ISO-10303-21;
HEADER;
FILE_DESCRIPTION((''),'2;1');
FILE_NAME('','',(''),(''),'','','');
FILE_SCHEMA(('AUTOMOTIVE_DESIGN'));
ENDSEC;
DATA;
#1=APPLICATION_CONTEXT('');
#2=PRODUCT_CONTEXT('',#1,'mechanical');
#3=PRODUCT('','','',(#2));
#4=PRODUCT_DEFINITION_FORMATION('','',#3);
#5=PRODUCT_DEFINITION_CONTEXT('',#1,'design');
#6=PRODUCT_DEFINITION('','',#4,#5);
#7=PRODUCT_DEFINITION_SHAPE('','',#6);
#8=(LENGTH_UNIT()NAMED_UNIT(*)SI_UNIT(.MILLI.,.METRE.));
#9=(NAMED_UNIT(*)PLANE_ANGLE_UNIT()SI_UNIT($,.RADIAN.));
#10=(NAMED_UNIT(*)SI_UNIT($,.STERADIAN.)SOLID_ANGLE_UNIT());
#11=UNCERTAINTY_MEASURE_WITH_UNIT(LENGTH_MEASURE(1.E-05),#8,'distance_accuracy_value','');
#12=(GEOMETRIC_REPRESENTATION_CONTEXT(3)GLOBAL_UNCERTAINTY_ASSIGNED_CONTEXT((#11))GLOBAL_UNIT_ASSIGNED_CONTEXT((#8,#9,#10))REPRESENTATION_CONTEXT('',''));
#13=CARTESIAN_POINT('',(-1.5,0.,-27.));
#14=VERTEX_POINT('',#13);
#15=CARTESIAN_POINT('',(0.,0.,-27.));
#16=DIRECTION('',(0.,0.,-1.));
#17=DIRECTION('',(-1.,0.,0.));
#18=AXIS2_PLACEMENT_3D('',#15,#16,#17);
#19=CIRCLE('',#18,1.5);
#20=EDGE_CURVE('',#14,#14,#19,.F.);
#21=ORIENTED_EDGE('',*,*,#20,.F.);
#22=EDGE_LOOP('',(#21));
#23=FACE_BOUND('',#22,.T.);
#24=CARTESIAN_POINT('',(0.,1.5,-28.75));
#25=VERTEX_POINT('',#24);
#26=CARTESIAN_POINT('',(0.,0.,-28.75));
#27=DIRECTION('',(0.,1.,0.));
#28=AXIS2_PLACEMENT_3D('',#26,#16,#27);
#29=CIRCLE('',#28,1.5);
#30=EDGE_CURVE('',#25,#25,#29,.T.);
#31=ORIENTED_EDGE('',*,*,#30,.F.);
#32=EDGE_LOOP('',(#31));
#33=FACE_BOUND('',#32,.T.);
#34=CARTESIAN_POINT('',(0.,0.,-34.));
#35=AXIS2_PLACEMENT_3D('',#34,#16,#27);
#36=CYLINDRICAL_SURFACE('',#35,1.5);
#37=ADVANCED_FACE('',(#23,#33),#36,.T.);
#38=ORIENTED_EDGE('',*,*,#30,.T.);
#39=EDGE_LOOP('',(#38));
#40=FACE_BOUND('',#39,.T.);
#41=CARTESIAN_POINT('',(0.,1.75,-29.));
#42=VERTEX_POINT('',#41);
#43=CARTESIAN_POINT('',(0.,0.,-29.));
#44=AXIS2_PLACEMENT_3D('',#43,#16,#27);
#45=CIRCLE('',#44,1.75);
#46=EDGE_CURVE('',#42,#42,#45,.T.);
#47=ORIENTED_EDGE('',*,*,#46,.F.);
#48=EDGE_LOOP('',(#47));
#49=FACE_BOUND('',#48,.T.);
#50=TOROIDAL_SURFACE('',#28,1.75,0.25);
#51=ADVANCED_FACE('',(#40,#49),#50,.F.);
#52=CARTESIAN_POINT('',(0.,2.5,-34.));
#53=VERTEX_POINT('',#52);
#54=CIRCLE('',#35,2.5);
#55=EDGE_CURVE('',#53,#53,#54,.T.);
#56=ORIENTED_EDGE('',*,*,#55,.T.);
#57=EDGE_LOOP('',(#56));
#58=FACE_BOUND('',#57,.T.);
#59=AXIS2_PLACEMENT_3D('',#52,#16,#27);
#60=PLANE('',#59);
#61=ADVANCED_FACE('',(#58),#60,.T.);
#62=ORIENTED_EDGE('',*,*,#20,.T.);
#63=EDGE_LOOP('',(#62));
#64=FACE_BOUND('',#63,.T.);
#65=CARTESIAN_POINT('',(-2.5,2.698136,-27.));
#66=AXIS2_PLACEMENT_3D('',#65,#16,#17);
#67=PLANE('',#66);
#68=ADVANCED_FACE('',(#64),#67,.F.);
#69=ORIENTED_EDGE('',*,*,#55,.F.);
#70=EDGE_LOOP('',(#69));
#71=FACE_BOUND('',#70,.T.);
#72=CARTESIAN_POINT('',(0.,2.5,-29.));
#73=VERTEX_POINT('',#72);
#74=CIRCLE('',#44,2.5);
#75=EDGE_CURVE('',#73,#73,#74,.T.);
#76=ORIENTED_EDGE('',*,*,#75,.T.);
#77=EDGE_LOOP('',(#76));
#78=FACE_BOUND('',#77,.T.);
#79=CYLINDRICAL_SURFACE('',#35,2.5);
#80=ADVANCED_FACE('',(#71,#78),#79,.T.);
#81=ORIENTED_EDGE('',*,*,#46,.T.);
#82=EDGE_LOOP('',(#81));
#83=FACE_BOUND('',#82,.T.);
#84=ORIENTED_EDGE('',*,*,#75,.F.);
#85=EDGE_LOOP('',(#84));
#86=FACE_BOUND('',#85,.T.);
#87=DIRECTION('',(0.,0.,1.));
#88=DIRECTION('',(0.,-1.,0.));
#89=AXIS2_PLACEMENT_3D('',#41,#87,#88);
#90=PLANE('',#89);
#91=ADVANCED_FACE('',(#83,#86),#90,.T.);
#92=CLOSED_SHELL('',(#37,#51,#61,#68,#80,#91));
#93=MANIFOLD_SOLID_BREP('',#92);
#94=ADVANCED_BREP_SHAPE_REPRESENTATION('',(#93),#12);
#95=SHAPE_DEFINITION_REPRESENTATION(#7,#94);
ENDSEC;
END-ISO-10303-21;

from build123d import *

# Parameters (mm, degrees)
SKETCH3_W               = 57.459303788
SKETCH3_H               = 5.287178435
CUT_EXTRUDE1_DEPTH      = 3.5
CUT_EXTRUDE1_DEPTH_BACK = 3.5


with BuildPart() as part:
    # Sketch2 → Revolve1 (revolve)
    with BuildSketch(Plane(origin=(0, 0, 0), x_dir=(0, 0, -1), z_dir=(1, 0, 0))):
        with BuildLine():
            Line((-29, 1.5), (28.75, 1.5))
            ThreePointArc((28.75, 1.5), (28.926776695, 1.573223305), (29, 1.75))
            Line((29, 1.75), (29, 2.5))
            Line((29, 2.5), (34, 2.5))
            Line((34, 2.5), (34, 0))
            Line((34, 0), (-29, 0))
            Line((-29, 0), (-29, 1.5))
        make_face()
    revolve(axis=Axis((0, 0, -34), (0, 0, 1)))

    # Sketch3 → Cut-Extrude1 (cut, two sides)
    with BuildSketch(Plane(origin=(0, 0, 0), x_dir=(0, 0, -1), z_dir=(1, 0, 0))) as cut_extrude1_sk:
        with Locations((-1.729651894, 0.054546596)):
            Rectangle(SKETCH3_W, SKETCH3_H)
    extrude(amount=CUT_EXTRUDE1_DEPTH, mode=Mode.SUBTRACT)
    extrude(cut_extrude1_sk.sketch, amount=-CUT_EXTRUDE1_DEPTH_BACK, mode=Mode.SUBTRACT)


solid = part.part
